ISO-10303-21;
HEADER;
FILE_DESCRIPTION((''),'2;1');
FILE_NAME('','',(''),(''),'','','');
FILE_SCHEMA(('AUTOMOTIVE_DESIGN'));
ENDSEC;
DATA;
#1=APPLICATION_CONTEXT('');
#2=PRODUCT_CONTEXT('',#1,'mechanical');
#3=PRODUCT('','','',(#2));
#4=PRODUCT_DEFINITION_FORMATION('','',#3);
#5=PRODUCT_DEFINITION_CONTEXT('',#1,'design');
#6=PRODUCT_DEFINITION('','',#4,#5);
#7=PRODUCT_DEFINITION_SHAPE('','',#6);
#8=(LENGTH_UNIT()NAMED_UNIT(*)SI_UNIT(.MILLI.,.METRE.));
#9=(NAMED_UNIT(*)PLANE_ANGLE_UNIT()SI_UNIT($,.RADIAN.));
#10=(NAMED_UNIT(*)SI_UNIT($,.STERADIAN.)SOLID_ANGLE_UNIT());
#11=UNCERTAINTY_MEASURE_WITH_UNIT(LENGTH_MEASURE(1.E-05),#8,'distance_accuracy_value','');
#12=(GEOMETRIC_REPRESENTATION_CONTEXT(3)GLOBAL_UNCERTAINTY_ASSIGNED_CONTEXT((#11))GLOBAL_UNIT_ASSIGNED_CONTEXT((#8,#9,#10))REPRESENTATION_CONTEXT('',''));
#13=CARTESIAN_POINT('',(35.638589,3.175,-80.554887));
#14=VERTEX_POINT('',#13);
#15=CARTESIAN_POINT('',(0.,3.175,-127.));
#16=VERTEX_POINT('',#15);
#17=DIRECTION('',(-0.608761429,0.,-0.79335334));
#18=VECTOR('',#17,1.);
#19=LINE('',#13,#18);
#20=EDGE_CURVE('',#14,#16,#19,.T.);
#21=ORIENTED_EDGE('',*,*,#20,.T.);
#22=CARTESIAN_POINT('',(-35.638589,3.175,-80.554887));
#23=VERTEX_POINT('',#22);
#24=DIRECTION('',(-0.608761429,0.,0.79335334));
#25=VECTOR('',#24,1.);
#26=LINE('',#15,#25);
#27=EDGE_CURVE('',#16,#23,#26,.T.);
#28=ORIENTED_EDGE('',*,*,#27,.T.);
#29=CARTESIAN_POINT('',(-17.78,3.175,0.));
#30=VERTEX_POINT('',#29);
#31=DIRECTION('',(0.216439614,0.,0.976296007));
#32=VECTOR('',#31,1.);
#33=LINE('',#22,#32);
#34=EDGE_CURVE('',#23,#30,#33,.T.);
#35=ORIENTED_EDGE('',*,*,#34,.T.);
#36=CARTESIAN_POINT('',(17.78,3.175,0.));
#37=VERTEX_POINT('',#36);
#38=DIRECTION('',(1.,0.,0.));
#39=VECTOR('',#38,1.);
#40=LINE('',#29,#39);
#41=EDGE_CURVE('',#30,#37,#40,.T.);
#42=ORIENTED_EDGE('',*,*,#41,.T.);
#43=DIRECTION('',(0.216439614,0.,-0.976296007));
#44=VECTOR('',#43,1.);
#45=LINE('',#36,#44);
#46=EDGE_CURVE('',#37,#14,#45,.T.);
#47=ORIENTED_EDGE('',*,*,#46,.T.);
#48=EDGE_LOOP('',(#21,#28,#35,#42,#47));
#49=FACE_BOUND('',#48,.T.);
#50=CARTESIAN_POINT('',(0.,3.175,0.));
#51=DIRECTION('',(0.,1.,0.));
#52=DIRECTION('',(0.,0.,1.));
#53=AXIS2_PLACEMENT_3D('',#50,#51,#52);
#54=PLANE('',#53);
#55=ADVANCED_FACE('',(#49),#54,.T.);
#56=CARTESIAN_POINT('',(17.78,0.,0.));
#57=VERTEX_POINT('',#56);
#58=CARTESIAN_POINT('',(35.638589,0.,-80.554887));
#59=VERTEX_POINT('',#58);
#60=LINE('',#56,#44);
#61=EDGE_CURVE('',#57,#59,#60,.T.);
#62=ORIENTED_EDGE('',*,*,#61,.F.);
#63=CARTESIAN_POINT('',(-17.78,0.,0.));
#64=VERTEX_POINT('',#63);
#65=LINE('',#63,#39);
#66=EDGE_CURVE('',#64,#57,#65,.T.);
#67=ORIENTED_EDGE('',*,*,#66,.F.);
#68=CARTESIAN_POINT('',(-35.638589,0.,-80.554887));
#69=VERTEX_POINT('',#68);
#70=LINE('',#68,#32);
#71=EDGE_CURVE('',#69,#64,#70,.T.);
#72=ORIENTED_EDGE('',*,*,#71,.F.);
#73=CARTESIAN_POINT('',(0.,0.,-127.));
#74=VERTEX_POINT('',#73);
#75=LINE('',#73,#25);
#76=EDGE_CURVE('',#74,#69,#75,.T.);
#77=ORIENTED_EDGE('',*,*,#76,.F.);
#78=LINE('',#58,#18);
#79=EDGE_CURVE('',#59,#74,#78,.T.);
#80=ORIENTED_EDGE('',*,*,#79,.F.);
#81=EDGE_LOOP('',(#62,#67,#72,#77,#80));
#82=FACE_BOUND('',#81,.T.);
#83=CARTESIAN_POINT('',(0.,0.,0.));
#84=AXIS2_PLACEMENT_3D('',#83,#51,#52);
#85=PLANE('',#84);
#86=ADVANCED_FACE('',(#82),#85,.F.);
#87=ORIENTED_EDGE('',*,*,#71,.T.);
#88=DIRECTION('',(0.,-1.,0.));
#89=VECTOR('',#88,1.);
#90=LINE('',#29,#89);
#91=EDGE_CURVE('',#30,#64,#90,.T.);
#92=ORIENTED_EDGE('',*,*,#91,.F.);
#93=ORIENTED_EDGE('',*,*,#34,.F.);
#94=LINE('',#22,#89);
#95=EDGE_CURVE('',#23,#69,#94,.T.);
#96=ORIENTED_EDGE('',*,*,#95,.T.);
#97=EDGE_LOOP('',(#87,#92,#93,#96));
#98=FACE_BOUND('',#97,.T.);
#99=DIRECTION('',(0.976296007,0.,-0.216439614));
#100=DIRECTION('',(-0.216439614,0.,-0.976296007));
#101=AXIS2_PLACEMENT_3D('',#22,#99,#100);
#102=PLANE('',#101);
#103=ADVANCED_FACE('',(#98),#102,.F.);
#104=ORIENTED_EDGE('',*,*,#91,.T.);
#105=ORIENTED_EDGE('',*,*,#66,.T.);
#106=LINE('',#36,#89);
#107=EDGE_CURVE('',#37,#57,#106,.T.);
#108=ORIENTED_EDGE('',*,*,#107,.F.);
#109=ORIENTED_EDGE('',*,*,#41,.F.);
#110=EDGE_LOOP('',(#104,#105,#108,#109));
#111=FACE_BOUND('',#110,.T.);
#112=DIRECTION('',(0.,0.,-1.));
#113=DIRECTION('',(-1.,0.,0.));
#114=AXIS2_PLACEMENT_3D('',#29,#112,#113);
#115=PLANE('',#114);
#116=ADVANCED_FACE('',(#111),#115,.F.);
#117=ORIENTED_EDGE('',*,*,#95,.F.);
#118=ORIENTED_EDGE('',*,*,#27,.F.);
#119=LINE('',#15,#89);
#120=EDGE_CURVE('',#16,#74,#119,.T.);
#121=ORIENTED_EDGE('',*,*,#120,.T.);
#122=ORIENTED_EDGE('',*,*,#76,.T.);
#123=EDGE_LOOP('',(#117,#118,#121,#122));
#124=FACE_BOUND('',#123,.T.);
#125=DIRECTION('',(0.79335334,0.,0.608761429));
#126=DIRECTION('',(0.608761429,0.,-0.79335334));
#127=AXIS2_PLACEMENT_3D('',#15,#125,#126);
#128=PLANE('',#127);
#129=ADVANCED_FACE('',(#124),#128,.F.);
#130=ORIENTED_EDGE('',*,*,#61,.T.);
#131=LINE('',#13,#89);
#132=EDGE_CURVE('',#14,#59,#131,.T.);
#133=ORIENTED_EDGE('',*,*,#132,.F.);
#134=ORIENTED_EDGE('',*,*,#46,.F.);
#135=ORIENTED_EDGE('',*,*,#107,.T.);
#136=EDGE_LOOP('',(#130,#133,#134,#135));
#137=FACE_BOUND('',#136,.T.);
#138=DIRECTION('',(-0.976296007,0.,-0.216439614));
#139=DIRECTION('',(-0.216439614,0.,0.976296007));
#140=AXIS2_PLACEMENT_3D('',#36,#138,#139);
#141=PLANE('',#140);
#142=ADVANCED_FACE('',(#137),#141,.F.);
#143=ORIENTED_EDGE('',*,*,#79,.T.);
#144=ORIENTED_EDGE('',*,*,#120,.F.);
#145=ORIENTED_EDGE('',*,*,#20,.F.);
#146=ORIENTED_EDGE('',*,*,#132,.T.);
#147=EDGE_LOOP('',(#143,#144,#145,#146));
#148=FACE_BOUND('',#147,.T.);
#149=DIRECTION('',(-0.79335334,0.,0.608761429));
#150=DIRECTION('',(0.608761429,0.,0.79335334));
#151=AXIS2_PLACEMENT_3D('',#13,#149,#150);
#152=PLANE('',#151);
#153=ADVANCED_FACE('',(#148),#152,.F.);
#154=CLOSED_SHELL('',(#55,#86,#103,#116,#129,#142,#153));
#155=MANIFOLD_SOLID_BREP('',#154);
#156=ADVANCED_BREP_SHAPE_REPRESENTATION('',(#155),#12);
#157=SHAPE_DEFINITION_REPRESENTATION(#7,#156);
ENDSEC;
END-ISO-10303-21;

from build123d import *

# Parameters (mm, degrees)
BOSS_EXTRUDE1_DEPTH = 3.175


with BuildPart() as part:
    # Sketch1 → Boss-Extrude1 (new body)
    with BuildSketch(Plane(origin=(0, 0, 0), x_dir=(1, 0, 0), z_dir=(0, 1, 0))):
        Polygon((-17.78, 0), (17.78, 0), (35.638588535, 80.554887169), (0, 127), (-35.638588535, 80.554887169), align=None)
    extrude(amount=BOSS_EXTRUDE1_DEPTH)


solid = part.part
